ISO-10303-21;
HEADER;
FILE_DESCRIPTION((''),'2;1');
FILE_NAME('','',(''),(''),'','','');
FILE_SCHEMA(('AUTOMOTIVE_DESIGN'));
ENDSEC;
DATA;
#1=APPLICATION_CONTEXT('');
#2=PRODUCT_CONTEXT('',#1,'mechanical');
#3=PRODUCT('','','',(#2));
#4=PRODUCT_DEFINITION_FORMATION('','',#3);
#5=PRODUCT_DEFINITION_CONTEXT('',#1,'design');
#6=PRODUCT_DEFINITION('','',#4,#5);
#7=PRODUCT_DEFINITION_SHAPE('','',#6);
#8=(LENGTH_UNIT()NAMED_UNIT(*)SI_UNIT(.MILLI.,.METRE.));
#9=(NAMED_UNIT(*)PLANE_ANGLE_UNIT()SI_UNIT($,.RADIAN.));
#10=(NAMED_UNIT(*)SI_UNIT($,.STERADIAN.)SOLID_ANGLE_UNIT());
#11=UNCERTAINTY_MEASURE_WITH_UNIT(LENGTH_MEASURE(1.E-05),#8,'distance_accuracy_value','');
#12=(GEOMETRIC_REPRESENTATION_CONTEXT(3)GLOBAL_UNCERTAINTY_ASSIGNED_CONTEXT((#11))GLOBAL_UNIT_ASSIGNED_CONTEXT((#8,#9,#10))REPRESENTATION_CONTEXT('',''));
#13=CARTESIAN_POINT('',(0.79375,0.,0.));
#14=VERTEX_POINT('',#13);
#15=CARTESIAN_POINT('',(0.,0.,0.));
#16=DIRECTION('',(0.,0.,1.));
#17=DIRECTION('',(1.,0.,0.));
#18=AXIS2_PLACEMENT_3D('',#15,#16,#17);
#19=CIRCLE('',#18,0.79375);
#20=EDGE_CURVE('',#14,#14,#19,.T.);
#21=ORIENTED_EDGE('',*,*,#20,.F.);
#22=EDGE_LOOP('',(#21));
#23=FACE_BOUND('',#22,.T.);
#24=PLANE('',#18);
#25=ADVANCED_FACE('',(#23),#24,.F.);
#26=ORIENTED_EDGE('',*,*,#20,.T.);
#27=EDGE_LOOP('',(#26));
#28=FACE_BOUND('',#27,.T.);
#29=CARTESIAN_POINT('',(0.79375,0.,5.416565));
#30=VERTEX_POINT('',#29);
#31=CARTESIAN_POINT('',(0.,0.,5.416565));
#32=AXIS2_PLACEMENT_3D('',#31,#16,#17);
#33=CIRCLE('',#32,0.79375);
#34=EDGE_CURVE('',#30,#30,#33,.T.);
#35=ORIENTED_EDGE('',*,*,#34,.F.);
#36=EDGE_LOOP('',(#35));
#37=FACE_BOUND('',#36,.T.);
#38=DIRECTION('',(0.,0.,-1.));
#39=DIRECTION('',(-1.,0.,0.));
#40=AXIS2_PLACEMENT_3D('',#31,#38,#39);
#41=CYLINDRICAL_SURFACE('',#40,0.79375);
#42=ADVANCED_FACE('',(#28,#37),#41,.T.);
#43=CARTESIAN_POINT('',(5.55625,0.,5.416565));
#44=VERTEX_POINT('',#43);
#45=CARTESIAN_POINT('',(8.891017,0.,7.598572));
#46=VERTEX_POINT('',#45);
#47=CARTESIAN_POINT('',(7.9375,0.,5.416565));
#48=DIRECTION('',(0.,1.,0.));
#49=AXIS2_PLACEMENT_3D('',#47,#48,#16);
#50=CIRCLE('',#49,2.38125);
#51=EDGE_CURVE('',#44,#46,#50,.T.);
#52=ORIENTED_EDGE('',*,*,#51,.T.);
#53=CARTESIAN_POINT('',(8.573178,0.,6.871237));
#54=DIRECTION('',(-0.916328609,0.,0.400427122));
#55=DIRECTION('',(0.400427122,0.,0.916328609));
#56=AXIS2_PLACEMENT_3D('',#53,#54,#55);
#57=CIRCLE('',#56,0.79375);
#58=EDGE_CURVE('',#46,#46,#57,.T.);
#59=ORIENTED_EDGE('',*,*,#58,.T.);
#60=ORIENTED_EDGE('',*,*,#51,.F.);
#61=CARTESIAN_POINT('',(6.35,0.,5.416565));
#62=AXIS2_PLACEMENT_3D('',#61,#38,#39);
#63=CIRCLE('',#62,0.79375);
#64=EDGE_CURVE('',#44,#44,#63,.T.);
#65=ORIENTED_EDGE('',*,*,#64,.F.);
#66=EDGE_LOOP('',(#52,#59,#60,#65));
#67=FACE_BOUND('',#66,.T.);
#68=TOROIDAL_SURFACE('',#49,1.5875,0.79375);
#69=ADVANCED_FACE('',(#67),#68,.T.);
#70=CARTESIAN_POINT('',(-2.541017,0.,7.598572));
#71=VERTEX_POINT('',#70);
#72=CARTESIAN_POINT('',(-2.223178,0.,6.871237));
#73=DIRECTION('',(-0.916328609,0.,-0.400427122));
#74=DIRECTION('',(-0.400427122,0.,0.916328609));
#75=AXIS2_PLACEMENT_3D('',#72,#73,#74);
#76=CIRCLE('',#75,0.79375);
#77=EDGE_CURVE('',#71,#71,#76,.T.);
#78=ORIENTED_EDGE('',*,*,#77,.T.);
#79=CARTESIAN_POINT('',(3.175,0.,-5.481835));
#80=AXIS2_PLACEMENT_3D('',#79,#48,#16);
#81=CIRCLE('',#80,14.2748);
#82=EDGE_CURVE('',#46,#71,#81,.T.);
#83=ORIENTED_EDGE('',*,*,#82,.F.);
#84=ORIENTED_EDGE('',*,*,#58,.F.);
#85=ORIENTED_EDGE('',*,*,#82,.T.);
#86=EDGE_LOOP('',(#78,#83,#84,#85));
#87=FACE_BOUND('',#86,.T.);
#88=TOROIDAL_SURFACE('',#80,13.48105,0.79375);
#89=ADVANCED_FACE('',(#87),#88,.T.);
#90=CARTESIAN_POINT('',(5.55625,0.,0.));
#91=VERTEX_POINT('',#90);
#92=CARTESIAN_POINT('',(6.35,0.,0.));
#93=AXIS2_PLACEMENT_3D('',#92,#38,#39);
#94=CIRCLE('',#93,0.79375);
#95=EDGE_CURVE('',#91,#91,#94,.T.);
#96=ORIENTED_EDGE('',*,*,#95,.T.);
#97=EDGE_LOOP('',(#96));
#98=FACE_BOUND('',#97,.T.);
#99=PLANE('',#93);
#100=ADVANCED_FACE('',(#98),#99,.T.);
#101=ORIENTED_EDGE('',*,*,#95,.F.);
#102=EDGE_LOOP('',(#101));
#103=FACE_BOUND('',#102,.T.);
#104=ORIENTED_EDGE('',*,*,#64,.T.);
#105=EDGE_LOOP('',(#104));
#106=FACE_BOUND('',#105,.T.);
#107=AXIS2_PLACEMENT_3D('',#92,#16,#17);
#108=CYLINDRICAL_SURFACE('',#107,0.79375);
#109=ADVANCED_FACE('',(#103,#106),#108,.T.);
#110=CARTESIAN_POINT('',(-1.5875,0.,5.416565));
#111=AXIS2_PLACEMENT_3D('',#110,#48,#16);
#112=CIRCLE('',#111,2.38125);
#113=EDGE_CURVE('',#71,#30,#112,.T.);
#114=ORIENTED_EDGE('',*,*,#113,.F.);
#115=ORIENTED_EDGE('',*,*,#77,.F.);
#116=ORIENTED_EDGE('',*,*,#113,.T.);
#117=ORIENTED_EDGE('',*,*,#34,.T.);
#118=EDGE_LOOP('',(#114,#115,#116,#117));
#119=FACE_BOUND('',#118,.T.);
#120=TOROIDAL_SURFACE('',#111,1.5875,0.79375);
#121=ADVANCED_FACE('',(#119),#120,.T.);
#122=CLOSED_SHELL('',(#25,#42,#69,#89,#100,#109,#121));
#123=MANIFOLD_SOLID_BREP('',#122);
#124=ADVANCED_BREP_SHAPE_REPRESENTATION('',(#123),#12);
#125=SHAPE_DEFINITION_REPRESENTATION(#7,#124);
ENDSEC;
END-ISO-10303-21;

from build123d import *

# Parameters (mm, degrees)
SKETCH1_R = 0.79375


with BuildPart() as part:
    # Sweep1: sweep along a path in Sketch3
    with BuildLine(Plane(origin=(0, 0, 0), x_dir=(1, 0, 0), z_dir=(0, 1, 0))) as sweep1_path:
        Line((0, 0), (0, -5.416564986))
        ThreePointArc((0, -5.416564986), (-0.718299984, -6.74496537), (-2.223178057, -6.871236652))
        ThreePointArc((-2.223178057, -6.871236652), (3.175, 18.962885143), (8.573178057, -6.871236652))
        ThreePointArc((8.573178057, -6.871236652), (7.068299984, -6.74496537), (6.35, -5.416564986))
        Line((6.35, -5.416564986), (6.35, 0))
    # Sketch1 → Sweep1 (sweep)
    with BuildSketch(Plane.XY):
        Circle(SKETCH1_R)
    sweep(path=sweep1_path.line)


solid = part.part
